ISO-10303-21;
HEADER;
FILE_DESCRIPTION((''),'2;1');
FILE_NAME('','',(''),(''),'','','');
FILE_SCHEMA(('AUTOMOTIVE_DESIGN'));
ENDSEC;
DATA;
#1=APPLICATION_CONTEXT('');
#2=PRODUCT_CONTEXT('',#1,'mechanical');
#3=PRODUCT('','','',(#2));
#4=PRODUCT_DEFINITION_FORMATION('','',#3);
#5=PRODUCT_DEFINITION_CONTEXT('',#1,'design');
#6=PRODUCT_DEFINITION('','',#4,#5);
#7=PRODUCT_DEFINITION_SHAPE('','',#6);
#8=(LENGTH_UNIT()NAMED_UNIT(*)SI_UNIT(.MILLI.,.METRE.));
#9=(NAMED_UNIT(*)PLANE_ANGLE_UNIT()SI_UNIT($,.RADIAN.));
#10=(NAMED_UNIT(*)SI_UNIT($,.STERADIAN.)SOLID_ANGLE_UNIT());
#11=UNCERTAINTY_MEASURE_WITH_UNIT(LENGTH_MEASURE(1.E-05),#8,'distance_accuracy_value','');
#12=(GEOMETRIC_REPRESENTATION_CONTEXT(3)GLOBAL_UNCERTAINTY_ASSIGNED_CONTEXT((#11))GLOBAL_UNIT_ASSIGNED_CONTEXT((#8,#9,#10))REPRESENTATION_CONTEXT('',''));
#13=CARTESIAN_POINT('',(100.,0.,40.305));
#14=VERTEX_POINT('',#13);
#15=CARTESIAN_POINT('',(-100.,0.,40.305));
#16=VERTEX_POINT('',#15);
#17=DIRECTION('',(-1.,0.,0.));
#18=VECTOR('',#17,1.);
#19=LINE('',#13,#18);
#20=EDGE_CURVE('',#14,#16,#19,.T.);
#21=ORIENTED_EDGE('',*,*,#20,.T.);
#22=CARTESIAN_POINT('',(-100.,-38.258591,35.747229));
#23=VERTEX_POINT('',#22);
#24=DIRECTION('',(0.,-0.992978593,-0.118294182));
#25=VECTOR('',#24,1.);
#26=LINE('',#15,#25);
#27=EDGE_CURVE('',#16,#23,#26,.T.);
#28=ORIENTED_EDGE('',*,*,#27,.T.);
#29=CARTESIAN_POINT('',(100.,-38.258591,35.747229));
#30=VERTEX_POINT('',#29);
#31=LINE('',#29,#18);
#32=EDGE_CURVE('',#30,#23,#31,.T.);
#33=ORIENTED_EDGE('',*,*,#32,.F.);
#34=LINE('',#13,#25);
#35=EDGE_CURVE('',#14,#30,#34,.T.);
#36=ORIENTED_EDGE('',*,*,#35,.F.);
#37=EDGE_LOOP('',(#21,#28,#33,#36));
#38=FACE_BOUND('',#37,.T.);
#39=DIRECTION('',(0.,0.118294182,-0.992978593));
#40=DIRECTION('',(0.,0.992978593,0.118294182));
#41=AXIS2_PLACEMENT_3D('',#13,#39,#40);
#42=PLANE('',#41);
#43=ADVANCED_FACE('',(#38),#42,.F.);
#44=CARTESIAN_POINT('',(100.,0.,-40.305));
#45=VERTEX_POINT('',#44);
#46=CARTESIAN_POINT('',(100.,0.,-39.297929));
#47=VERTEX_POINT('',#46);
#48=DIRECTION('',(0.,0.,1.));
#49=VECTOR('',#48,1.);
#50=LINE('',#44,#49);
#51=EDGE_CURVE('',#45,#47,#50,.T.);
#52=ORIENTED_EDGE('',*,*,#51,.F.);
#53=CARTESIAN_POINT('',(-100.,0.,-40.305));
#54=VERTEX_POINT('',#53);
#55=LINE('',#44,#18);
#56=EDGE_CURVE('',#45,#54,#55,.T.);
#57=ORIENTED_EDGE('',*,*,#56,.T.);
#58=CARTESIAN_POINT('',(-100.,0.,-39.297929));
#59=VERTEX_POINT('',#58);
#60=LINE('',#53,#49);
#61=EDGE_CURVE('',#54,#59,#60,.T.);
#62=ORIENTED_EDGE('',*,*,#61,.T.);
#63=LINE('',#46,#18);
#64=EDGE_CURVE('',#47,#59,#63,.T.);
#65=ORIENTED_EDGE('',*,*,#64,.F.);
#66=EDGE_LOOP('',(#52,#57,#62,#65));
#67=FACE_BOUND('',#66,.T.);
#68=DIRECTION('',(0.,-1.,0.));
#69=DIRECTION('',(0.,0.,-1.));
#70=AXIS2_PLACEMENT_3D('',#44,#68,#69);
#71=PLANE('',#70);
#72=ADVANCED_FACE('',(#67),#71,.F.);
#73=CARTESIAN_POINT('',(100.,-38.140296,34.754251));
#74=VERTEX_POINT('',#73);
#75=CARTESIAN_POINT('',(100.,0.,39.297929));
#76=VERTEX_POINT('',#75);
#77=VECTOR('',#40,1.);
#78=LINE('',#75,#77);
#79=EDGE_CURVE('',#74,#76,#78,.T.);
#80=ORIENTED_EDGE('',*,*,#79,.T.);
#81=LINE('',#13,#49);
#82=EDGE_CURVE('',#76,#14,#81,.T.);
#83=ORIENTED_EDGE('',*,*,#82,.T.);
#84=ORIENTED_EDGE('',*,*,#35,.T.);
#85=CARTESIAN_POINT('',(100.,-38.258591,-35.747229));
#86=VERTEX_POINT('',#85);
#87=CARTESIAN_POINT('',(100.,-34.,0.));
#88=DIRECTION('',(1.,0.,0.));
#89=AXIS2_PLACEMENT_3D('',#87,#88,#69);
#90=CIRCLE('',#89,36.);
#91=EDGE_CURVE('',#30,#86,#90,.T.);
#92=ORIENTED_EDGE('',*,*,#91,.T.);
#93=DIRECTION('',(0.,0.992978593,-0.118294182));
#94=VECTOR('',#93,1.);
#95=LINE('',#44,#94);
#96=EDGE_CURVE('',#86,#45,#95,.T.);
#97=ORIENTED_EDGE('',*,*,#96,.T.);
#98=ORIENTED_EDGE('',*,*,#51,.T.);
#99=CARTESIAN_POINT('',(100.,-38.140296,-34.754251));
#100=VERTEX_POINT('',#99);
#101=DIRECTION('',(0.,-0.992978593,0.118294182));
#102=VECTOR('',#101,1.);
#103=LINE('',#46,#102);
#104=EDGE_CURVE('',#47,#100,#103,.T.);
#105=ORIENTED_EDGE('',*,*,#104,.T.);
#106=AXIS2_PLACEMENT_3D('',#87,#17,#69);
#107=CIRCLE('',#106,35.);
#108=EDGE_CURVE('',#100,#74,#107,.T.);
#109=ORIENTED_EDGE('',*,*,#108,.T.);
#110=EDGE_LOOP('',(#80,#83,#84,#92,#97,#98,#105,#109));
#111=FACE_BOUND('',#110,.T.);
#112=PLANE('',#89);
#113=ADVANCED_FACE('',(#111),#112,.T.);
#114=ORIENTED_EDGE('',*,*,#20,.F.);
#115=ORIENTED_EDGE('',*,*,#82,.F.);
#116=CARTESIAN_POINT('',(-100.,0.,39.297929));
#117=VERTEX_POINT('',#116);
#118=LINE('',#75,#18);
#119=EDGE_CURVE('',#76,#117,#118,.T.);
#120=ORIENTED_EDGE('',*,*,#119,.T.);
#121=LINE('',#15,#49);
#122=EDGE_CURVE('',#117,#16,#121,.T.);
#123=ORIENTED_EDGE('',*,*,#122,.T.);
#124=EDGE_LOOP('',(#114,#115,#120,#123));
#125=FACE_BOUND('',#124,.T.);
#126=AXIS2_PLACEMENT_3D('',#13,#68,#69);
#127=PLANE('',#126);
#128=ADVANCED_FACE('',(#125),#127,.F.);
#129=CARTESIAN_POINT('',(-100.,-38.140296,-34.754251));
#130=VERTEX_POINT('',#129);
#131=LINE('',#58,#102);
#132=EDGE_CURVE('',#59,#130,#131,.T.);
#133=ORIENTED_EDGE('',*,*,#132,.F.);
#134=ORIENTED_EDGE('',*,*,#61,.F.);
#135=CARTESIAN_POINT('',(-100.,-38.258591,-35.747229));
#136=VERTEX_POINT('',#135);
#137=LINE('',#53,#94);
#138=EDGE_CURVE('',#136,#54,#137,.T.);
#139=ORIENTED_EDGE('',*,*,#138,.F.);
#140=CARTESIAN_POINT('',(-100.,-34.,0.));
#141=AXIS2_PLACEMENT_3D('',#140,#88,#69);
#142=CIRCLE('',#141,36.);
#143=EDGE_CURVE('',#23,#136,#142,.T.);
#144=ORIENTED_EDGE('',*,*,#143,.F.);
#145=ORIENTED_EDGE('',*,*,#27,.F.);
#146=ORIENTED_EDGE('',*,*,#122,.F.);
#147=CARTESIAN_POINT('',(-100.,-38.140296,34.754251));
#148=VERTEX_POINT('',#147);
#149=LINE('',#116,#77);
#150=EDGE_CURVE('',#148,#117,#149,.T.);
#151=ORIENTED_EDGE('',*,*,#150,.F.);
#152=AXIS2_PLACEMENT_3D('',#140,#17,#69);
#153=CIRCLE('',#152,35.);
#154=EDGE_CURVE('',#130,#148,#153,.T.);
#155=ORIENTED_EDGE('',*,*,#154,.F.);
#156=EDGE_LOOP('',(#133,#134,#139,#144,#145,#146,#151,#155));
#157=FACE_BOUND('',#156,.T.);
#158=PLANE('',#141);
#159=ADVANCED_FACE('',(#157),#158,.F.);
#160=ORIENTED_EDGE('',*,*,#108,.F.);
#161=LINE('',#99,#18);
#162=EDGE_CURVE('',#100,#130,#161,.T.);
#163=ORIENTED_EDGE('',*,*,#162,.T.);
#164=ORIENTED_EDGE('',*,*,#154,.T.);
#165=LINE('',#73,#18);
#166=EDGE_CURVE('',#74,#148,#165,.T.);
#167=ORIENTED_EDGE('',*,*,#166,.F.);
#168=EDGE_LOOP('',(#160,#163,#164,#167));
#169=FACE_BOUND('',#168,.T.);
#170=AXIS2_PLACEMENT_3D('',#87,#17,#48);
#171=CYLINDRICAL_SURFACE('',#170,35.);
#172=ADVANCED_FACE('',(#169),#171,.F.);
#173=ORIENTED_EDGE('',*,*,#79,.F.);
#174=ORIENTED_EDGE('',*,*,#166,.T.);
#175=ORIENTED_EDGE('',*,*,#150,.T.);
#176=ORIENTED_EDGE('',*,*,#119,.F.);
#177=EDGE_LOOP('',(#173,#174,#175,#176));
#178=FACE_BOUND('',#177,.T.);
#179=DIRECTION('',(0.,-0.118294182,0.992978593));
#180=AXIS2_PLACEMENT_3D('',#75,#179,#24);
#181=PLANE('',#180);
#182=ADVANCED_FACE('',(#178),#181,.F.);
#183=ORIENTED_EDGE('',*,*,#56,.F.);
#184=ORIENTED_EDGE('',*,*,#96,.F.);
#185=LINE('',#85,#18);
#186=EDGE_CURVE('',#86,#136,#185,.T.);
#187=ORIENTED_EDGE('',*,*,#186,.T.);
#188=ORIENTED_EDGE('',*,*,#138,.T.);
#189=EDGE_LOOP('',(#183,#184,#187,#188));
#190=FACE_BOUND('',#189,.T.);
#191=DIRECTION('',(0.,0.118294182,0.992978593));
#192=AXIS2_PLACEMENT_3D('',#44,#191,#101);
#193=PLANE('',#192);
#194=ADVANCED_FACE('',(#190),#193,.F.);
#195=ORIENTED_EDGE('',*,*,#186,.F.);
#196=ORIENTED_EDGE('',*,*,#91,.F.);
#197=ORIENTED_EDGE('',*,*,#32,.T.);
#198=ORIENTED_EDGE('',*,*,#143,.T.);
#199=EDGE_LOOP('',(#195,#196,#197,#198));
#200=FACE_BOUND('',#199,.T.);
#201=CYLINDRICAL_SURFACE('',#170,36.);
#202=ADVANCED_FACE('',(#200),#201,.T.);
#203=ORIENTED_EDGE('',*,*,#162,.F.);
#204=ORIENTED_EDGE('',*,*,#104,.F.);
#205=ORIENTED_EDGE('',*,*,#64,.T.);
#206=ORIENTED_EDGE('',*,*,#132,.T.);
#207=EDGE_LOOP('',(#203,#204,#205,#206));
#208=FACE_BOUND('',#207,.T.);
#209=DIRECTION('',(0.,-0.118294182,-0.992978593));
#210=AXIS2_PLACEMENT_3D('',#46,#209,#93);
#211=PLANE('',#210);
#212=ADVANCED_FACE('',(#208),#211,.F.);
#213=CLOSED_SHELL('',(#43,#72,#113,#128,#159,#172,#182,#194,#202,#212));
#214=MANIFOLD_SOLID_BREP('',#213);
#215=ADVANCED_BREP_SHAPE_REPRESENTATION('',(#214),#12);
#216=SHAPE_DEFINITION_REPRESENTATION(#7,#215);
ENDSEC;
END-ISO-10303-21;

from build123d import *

# Parameters (mm, degrees)
BOSS_EXTRUDE1_DEPTH = 100


with BuildPart() as part:
    # Sketch1 → Boss-Extrude1 (new, symmetric)
    with BuildSketch(Plane(origin=(0, 0, 0), x_dir=(0, 0, -1), z_dir=(1, 0, 0))):
        with BuildLine():
            Line((-40.305, 0), (-35.747229353, -38.258590561))
            ThreePointArc((-35.747229353, -38.258590561), (0, -70), (35.747229353, -38.258590561))
            Line((35.747229353, -38.258590561), (40.305, 0))
            Line((40.305, 0), (39.297928944, 0))
            Line((39.297928944, 0), (34.75425076, -38.140296379))
            ThreePointArc((34.75425076, -38.140296379), (0, -69), (-34.75425076, -38.140296379))
            Line((-34.75425076, -38.140296379), (-39.297928944, 0))
            Line((-39.297928944, 0), (-40.305, 0))
        make_face()
    extrude(amount=BOSS_EXTRUDE1_DEPTH, both=True)


solid = part.part
